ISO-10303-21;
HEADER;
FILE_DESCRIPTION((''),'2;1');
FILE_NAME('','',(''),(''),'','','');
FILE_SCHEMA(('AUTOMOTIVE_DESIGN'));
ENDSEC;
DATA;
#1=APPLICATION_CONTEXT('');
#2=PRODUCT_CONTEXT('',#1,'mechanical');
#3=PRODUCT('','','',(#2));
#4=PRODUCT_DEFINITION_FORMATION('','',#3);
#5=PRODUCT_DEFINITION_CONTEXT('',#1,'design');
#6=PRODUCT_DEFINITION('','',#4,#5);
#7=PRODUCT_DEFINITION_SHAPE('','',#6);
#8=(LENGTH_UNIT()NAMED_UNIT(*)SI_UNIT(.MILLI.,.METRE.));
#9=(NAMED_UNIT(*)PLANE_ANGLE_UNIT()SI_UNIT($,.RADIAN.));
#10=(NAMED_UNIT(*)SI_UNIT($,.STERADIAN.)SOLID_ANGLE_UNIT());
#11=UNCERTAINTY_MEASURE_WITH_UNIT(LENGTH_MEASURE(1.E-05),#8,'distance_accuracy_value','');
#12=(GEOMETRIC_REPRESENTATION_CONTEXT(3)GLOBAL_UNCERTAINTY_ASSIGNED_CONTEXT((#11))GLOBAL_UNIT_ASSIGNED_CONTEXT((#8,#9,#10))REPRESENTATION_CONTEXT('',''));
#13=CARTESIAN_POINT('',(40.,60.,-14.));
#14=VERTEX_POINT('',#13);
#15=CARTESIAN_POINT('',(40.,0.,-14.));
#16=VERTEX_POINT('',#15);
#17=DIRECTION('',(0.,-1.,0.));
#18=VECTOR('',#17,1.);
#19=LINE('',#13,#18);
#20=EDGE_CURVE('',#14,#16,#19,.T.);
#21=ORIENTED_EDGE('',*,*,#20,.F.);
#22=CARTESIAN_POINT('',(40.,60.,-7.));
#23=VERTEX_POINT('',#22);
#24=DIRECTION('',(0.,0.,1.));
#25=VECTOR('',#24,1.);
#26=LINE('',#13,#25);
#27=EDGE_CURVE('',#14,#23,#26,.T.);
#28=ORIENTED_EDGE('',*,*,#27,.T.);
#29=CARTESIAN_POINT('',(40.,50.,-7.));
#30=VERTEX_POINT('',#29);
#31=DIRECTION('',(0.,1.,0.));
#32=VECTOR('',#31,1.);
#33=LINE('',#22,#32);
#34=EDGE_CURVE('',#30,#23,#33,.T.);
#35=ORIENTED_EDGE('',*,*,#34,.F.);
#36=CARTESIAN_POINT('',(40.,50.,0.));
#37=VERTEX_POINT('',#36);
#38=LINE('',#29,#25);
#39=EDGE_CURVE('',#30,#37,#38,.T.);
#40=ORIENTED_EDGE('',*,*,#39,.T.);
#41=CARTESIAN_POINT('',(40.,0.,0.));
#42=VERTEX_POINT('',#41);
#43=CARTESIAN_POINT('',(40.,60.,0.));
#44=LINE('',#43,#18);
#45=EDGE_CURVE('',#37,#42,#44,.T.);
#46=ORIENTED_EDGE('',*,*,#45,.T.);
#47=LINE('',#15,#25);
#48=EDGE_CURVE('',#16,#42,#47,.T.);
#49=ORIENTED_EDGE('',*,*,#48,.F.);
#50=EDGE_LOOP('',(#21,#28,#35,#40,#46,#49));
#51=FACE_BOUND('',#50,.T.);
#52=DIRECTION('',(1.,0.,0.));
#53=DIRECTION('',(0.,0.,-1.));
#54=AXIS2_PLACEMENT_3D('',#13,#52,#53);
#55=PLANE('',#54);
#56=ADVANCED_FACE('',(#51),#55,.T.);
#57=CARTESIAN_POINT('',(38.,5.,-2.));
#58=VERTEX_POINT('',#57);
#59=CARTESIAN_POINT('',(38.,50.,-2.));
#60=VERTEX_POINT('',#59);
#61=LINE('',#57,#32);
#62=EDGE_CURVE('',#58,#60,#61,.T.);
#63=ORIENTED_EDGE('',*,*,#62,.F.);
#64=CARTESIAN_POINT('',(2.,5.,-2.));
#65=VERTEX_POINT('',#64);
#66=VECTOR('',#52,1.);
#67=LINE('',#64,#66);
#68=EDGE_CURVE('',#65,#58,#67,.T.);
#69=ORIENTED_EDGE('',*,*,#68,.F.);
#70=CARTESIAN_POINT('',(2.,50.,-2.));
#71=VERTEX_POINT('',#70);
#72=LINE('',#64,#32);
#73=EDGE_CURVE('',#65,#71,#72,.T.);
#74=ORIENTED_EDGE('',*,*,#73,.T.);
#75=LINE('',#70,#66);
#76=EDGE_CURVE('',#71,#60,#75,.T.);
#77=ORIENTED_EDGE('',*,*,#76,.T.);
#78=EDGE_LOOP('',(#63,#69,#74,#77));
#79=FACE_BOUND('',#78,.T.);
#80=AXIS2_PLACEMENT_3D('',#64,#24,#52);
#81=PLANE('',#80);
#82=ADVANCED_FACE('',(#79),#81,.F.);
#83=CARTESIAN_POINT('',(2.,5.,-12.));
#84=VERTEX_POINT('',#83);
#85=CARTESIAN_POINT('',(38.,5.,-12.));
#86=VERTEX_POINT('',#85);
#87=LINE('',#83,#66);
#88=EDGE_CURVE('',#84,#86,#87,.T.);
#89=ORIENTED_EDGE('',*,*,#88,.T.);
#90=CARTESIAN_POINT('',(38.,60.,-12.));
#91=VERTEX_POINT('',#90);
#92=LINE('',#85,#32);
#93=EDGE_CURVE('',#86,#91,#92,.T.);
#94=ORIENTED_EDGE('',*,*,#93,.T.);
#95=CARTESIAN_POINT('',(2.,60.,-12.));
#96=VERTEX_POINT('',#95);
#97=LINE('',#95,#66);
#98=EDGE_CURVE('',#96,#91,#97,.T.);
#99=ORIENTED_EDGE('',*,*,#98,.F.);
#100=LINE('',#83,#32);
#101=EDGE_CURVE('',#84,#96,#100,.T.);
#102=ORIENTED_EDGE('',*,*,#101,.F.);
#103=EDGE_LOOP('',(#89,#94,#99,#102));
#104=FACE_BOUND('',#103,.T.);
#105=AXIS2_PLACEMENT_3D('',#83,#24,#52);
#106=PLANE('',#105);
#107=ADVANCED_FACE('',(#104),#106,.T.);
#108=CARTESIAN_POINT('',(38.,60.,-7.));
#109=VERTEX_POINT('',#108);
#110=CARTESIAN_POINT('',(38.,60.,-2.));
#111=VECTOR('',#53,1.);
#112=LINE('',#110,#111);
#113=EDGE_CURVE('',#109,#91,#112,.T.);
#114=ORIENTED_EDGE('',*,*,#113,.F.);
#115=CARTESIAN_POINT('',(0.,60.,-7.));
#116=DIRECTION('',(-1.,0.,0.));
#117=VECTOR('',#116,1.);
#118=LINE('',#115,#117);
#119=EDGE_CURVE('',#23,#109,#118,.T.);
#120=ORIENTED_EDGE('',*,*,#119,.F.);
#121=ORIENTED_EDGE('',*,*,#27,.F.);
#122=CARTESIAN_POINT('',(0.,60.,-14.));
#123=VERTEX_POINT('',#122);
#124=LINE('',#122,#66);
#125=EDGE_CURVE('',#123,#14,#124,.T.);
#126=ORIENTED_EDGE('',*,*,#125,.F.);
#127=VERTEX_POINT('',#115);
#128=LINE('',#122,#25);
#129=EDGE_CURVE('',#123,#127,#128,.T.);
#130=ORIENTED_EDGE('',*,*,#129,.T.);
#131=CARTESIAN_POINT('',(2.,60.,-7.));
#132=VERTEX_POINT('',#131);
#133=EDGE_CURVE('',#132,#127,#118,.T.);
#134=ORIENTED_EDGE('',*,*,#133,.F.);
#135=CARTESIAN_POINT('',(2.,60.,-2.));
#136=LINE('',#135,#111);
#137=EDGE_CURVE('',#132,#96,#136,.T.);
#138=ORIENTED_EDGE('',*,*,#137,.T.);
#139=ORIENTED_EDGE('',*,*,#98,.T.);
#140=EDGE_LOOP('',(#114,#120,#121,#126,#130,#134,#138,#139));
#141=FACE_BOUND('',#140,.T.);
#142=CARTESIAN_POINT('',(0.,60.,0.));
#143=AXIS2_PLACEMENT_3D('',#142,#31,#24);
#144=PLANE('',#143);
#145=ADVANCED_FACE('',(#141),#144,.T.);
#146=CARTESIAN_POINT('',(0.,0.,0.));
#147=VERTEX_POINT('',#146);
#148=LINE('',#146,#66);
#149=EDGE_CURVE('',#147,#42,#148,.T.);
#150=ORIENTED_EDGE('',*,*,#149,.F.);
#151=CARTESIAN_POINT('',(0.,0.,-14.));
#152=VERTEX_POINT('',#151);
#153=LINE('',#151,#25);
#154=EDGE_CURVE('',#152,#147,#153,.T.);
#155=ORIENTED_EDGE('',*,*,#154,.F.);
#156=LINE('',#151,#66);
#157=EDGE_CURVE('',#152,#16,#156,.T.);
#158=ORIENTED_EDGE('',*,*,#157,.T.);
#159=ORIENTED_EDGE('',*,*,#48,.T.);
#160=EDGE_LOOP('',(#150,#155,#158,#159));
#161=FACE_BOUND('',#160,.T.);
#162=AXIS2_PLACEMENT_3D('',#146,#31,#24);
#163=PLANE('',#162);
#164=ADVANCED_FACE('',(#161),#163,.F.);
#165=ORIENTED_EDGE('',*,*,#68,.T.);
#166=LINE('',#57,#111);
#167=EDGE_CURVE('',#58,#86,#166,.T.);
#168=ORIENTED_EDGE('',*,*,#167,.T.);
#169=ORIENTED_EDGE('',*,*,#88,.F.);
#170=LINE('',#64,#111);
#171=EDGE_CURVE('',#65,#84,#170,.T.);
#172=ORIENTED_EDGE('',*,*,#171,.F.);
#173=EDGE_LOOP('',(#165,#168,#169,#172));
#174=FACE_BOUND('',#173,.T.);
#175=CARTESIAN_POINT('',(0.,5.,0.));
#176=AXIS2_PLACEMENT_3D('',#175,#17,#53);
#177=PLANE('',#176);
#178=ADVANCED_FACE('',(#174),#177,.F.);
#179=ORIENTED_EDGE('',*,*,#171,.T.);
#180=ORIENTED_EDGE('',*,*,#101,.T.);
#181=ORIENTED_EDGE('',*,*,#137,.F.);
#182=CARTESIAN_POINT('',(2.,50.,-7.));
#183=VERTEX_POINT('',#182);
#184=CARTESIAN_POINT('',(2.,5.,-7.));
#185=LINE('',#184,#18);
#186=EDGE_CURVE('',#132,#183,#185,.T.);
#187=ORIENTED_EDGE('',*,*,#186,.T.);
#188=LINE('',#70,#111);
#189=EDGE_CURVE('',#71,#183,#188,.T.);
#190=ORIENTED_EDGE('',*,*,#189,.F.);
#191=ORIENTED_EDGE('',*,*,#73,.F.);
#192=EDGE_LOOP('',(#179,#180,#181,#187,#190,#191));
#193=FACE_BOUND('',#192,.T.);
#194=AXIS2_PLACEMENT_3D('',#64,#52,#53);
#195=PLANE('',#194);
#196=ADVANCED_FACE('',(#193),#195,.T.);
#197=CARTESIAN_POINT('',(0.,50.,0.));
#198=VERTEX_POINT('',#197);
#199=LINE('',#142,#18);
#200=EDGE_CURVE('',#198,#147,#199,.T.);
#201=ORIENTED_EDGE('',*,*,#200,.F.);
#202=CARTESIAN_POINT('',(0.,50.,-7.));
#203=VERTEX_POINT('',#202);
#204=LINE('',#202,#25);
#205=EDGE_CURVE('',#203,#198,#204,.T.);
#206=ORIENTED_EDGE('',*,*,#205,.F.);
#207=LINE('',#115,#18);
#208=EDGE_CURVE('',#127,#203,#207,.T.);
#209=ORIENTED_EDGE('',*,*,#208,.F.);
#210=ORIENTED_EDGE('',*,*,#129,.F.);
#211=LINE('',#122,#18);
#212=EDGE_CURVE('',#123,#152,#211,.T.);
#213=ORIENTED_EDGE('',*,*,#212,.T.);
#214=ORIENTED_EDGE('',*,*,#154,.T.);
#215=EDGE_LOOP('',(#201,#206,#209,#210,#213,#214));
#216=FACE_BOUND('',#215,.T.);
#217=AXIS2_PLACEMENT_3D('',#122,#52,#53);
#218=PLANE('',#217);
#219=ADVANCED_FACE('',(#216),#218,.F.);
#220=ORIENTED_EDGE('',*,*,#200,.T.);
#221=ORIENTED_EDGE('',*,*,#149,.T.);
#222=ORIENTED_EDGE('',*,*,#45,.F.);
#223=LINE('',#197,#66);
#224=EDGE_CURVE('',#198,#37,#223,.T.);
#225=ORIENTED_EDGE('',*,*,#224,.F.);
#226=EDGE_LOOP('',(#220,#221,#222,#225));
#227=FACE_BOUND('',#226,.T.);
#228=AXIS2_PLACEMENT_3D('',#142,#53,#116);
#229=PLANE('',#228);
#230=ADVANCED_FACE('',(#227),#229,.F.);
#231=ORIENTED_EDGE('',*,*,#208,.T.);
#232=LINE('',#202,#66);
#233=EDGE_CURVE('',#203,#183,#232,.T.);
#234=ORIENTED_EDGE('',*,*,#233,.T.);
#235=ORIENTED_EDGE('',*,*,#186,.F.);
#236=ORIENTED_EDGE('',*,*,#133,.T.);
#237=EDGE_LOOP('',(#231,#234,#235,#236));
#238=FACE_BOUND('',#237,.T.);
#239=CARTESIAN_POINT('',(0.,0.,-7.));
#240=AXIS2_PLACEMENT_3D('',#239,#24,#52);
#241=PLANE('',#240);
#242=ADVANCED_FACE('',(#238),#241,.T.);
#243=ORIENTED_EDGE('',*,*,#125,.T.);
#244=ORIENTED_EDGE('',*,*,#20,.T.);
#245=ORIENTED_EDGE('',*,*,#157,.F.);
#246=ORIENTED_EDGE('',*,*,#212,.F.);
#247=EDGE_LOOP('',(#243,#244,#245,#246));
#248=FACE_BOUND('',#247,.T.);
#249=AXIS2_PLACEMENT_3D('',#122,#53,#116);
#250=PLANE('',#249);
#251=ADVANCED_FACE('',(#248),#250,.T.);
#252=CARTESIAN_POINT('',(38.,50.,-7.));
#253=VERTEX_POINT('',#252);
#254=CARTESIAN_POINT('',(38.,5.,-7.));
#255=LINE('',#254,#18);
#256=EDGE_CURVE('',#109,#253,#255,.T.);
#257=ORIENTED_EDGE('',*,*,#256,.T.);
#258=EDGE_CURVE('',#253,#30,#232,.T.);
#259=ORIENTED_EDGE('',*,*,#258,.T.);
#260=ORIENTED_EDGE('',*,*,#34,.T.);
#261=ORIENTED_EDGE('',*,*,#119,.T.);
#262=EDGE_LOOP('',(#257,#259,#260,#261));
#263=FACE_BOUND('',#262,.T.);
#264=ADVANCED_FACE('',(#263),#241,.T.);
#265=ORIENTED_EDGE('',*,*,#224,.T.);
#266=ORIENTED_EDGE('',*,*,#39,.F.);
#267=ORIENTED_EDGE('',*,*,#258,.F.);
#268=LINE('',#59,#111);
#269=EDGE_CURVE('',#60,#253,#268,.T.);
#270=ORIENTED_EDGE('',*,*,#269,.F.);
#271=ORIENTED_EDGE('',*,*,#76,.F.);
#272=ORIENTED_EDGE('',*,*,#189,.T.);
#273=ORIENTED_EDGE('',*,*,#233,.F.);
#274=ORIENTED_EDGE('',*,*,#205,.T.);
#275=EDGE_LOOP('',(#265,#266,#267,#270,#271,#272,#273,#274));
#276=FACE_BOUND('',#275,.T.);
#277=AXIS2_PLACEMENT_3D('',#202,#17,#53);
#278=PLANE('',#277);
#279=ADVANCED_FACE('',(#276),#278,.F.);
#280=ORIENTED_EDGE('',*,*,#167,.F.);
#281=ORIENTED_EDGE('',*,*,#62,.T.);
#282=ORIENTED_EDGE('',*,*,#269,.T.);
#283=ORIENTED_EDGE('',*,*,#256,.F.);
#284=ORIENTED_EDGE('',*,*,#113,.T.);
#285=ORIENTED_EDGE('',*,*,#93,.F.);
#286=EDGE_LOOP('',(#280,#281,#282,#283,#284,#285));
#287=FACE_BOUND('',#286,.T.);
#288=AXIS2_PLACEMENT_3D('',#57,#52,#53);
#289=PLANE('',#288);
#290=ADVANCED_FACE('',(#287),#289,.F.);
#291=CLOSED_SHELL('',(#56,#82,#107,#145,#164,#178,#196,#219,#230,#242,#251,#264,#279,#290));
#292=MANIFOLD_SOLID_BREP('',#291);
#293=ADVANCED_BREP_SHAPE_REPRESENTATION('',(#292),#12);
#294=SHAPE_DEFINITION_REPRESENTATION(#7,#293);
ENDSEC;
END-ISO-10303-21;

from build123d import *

# Parameters (mm, degrees)
SKETCH_1_W          = 40
SKETCH_1_H          = 14
EXTRUDE_1_DEPTH     = 60
SKETCH_6_W          = 36
SKETCH_6_H          = 10
CUT_EXTRUDE_2_DEPTH = 55
SKETCH_7_W          = 40
SKETCH_7_H          = 10
CUT_EXTRUDE_3_DEPTH = 7


with BuildPart() as part:
    # 草图1 → 凸台-拉伸1 (new body)
    with BuildSketch(Plane(origin=(0, 0, 0), x_dir=(1, 0, 0), z_dir=(0, 1, 0))):
        with Locations((20, 7)):
            Rectangle(SKETCH_1_W, SKETCH_1_H)
    extrude(amount=EXTRUDE_1_DEPTH)

    # 草图6 → 切除-拉伸2 (cut)
    with BuildSketch(Plane(origin=(0, 60, 0), x_dir=(1, 0, 0), z_dir=(0, 1, 0))):
        with Locations((20, 7)):
            Rectangle(SKETCH_6_W, SKETCH_6_H)
    extrude(amount=-CUT_EXTRUDE_2_DEPTH, mode=Mode.SUBTRACT)

    # 草图7 → 切除-拉伸3 (cut)
    with BuildSketch(Plane.XY):
        with Locations((20, 55)):
            Rectangle(SKETCH_7_W, SKETCH_7_H)
    extrude(amount=-CUT_EXTRUDE_3_DEPTH, mode=Mode.SUBTRACT)


solid = part.part
